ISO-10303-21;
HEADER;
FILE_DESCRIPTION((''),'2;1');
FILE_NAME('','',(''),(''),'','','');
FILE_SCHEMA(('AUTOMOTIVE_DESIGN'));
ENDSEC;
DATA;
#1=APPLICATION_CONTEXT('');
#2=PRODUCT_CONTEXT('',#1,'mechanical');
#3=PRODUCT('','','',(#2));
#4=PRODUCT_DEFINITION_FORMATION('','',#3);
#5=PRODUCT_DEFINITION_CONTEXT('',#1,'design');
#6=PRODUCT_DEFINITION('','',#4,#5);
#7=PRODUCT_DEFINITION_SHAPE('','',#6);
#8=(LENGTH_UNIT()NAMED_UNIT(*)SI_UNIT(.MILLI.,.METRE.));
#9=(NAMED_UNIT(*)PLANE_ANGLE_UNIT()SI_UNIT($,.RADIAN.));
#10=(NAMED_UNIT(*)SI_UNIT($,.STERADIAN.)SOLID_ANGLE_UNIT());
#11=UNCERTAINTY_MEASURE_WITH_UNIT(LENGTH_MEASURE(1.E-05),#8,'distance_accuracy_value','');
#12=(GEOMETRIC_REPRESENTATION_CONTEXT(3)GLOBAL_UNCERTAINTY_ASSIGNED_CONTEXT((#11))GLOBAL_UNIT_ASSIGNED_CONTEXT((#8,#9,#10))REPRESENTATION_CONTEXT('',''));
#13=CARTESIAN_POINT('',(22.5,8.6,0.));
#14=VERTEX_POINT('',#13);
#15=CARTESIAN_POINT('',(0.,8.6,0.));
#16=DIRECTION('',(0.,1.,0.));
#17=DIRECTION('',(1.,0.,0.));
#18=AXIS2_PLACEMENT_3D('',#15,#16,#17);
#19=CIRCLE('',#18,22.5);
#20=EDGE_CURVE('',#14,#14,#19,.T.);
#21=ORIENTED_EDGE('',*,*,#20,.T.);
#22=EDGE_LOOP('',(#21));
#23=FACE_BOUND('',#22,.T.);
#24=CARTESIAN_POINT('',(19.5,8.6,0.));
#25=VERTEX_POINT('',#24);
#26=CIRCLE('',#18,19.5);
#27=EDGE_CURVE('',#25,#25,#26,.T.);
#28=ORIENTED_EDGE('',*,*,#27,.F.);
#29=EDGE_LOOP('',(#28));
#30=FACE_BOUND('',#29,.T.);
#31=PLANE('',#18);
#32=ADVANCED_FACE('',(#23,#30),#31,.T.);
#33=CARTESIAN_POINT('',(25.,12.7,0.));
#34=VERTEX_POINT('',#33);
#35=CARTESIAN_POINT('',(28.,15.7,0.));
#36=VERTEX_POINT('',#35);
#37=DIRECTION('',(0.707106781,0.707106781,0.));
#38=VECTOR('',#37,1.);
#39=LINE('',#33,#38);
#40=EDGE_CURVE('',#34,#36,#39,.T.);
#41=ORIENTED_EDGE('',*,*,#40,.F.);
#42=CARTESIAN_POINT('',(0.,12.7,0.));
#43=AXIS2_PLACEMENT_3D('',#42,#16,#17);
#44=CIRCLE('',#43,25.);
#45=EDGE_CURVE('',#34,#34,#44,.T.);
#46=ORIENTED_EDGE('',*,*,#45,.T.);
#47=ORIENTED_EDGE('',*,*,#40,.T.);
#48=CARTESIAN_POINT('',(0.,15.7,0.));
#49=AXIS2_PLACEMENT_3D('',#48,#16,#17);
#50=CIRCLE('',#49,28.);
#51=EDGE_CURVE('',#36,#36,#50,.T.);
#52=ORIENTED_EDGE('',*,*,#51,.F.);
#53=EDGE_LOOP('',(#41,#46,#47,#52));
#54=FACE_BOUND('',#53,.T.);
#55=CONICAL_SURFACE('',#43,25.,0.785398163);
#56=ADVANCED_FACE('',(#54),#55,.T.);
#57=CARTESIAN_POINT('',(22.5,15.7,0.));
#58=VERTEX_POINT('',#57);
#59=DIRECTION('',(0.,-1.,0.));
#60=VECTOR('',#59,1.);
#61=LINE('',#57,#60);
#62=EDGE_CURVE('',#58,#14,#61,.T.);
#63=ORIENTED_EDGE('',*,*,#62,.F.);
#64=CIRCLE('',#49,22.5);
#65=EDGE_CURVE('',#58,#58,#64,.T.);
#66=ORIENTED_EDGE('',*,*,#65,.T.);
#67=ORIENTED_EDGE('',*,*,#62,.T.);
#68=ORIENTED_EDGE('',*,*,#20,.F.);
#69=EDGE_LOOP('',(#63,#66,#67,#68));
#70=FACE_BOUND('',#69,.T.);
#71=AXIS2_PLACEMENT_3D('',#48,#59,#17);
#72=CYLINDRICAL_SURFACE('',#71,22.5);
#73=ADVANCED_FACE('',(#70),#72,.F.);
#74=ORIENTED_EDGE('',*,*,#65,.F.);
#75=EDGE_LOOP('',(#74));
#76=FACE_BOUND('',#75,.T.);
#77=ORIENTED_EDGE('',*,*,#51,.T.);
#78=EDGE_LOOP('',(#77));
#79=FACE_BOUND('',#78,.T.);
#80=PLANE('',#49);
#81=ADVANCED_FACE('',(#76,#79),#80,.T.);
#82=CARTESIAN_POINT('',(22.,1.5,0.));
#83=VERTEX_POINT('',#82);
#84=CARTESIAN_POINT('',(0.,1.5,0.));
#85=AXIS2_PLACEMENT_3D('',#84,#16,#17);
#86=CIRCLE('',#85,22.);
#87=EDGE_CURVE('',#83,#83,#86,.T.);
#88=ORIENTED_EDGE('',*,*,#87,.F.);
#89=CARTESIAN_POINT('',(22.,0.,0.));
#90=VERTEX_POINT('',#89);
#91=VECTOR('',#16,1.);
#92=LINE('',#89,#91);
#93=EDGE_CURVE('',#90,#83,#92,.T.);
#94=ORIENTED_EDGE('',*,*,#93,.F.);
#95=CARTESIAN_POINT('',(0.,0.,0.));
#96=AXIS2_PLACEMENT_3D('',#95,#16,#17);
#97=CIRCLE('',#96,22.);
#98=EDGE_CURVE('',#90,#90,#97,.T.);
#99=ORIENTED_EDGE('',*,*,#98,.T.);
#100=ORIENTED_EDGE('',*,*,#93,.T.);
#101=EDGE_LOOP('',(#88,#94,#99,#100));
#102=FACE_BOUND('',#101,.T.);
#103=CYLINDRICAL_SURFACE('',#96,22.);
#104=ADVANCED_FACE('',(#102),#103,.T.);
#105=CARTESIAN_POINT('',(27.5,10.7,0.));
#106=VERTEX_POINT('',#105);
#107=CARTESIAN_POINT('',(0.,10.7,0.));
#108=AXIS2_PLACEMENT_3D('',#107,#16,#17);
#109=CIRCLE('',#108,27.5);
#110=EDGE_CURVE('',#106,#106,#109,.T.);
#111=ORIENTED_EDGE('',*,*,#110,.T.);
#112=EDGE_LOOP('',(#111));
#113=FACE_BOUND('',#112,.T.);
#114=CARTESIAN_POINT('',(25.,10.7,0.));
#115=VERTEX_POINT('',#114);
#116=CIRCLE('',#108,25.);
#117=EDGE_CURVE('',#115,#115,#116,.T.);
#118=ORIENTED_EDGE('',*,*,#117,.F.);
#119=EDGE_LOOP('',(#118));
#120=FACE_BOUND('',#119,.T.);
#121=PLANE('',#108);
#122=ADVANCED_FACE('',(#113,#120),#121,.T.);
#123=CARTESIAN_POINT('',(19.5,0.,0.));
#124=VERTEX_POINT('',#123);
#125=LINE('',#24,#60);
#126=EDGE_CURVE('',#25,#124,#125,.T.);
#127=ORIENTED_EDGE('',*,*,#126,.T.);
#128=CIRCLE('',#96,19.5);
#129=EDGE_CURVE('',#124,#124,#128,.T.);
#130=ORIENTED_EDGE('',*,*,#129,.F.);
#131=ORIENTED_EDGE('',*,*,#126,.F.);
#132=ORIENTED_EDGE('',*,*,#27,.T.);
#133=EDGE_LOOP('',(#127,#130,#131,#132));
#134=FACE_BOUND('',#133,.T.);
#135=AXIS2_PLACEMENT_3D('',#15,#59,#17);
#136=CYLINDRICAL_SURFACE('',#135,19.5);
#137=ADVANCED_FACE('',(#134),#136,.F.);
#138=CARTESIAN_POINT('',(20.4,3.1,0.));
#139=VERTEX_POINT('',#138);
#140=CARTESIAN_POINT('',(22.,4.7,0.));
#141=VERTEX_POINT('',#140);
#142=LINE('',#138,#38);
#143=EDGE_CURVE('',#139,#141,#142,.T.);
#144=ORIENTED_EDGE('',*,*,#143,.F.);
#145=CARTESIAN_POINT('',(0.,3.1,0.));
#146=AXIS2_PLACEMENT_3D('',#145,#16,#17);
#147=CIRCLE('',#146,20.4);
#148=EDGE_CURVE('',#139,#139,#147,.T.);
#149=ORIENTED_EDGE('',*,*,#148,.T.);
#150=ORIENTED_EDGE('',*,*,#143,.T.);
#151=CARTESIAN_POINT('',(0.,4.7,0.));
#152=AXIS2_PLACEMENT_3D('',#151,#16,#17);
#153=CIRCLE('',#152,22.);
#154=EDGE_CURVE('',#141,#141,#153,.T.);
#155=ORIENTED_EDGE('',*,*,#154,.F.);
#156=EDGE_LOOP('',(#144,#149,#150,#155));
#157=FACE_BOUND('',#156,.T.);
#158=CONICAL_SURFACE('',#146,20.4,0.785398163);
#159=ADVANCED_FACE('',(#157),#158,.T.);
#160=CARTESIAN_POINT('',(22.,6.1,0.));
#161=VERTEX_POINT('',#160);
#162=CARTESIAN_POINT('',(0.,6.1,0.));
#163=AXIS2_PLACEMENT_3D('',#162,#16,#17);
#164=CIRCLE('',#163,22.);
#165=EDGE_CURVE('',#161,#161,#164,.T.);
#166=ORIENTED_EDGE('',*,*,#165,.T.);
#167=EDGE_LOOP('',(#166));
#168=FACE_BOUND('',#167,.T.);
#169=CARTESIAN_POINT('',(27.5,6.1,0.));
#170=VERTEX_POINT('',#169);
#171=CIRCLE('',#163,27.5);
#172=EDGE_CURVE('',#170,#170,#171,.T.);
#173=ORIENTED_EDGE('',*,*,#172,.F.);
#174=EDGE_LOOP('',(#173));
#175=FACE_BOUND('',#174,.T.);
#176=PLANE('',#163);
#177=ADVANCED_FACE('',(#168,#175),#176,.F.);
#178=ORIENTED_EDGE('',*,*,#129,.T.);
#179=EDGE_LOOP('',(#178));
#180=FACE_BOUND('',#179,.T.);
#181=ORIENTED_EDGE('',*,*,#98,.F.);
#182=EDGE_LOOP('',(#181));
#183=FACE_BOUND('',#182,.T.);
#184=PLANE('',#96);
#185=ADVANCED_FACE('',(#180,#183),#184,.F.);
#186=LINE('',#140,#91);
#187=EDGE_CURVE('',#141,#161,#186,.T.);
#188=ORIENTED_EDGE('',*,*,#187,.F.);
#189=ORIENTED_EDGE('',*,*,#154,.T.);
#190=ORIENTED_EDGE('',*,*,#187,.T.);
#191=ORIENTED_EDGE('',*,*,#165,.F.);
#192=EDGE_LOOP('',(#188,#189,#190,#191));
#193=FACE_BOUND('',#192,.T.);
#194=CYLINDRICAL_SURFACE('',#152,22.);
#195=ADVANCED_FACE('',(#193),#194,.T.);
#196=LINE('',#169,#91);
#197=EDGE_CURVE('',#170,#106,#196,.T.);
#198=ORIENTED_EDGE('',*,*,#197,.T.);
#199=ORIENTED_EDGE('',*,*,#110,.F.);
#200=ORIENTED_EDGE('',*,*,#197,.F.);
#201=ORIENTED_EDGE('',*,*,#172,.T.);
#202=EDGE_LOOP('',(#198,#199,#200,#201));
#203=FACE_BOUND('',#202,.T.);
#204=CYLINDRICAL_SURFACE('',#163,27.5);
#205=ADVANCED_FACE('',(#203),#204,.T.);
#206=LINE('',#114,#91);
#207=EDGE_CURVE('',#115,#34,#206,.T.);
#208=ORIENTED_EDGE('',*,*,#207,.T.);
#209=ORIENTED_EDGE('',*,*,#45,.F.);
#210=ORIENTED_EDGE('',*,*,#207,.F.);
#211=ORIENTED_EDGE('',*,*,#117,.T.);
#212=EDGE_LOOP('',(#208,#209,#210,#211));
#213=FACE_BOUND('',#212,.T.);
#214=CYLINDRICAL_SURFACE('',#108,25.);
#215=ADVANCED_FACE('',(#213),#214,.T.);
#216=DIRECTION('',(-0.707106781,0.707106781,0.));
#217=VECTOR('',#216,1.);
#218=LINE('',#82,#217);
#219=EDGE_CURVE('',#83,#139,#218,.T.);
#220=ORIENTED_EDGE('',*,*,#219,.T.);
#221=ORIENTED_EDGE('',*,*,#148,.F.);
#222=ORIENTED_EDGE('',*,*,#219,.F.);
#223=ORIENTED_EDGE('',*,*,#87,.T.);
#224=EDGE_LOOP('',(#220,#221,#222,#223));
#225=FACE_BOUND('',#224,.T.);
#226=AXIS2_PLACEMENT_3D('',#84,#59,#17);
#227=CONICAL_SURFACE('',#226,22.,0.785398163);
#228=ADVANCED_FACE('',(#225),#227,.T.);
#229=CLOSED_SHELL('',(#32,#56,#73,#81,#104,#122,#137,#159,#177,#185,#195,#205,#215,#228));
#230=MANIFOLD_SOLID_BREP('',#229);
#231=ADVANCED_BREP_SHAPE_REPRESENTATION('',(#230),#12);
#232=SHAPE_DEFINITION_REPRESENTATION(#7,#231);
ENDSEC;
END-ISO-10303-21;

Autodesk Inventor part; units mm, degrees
ref_plane "YZ Plane" through (0, 0, 0) normal (1, 0, 0) x (0, 1, 0)
ref_plane "XZ Plane" through (0, 0, 0) normal (0, 1, 0) x (-1, 0, 0)
ref_plane "XY Plane" through (0, 0, 0) normal (0, 0, 1) x (1, 0, 0)
sketch "Sketch1" plane through (0, 0, 0) normal (0, 0, 1) x (1, 0, 0)
  line L0 (0, 0) -> (0, 43.5277) construction
  line L1 (0, 0) -> (22, 0)
  line L2 (22, 0) -> (22, 1.5)
  line L3 (22, 1.5) -> (20.4, 3.1)
  line L4 (20.4, 3.1) -> (22, 4.7)
  line L5 (22, 4.7) -> (22, 6.1)
  line L6 (22, 6.1) -> (27.5, 6.1)
  line L7 (27.5, 6.1) -> (27.5, 10.7)
  line L8 (27.5, 10.7) -> (25, 10.7)
  line L9 (25, 10.7) -> (25, 12.7)
  line L10 (25, 12.7) -> (28, 15.7)
  line L11 (25, 12.7) -> (29.2426, 12.7) construction
  line L12 (28, 15.7) -> (22.5, 15.7)
  line L13 (22.5, 15.7) -> (22.5, 8.6)
  line L14 (22.5, 8.6) -> (19.5, 8.6)
  line L15 (19.5, 8.6) -> (19.5, 0)
  dimension "d0" = 22
  dimension "d1" = 1.5
  dimension "d2" = 135
  dimension "d3" = 90
  dimension "d4" = 3.2
  dimension "d5" = 1.4
  dimension "d6" = 6.1
  dimension "d7" = 27.5
  dimension "d8" = 4.6
  dimension "d11" = 5
  dimension "d12" = 2.5
  dimension "d14" = 2.5
  dimension "d15" = 2.5
  dimension "d17" = 28
  dimension "d18" = 3
  dimension "d19" = 2
revolve "Revolution1" add sketch "Sketch1" angle 360 about axis through (0, 0, 0) along (0, 1, 0)
properties part number "101_Illumination_Adapter_Axiotech_COOLled"
